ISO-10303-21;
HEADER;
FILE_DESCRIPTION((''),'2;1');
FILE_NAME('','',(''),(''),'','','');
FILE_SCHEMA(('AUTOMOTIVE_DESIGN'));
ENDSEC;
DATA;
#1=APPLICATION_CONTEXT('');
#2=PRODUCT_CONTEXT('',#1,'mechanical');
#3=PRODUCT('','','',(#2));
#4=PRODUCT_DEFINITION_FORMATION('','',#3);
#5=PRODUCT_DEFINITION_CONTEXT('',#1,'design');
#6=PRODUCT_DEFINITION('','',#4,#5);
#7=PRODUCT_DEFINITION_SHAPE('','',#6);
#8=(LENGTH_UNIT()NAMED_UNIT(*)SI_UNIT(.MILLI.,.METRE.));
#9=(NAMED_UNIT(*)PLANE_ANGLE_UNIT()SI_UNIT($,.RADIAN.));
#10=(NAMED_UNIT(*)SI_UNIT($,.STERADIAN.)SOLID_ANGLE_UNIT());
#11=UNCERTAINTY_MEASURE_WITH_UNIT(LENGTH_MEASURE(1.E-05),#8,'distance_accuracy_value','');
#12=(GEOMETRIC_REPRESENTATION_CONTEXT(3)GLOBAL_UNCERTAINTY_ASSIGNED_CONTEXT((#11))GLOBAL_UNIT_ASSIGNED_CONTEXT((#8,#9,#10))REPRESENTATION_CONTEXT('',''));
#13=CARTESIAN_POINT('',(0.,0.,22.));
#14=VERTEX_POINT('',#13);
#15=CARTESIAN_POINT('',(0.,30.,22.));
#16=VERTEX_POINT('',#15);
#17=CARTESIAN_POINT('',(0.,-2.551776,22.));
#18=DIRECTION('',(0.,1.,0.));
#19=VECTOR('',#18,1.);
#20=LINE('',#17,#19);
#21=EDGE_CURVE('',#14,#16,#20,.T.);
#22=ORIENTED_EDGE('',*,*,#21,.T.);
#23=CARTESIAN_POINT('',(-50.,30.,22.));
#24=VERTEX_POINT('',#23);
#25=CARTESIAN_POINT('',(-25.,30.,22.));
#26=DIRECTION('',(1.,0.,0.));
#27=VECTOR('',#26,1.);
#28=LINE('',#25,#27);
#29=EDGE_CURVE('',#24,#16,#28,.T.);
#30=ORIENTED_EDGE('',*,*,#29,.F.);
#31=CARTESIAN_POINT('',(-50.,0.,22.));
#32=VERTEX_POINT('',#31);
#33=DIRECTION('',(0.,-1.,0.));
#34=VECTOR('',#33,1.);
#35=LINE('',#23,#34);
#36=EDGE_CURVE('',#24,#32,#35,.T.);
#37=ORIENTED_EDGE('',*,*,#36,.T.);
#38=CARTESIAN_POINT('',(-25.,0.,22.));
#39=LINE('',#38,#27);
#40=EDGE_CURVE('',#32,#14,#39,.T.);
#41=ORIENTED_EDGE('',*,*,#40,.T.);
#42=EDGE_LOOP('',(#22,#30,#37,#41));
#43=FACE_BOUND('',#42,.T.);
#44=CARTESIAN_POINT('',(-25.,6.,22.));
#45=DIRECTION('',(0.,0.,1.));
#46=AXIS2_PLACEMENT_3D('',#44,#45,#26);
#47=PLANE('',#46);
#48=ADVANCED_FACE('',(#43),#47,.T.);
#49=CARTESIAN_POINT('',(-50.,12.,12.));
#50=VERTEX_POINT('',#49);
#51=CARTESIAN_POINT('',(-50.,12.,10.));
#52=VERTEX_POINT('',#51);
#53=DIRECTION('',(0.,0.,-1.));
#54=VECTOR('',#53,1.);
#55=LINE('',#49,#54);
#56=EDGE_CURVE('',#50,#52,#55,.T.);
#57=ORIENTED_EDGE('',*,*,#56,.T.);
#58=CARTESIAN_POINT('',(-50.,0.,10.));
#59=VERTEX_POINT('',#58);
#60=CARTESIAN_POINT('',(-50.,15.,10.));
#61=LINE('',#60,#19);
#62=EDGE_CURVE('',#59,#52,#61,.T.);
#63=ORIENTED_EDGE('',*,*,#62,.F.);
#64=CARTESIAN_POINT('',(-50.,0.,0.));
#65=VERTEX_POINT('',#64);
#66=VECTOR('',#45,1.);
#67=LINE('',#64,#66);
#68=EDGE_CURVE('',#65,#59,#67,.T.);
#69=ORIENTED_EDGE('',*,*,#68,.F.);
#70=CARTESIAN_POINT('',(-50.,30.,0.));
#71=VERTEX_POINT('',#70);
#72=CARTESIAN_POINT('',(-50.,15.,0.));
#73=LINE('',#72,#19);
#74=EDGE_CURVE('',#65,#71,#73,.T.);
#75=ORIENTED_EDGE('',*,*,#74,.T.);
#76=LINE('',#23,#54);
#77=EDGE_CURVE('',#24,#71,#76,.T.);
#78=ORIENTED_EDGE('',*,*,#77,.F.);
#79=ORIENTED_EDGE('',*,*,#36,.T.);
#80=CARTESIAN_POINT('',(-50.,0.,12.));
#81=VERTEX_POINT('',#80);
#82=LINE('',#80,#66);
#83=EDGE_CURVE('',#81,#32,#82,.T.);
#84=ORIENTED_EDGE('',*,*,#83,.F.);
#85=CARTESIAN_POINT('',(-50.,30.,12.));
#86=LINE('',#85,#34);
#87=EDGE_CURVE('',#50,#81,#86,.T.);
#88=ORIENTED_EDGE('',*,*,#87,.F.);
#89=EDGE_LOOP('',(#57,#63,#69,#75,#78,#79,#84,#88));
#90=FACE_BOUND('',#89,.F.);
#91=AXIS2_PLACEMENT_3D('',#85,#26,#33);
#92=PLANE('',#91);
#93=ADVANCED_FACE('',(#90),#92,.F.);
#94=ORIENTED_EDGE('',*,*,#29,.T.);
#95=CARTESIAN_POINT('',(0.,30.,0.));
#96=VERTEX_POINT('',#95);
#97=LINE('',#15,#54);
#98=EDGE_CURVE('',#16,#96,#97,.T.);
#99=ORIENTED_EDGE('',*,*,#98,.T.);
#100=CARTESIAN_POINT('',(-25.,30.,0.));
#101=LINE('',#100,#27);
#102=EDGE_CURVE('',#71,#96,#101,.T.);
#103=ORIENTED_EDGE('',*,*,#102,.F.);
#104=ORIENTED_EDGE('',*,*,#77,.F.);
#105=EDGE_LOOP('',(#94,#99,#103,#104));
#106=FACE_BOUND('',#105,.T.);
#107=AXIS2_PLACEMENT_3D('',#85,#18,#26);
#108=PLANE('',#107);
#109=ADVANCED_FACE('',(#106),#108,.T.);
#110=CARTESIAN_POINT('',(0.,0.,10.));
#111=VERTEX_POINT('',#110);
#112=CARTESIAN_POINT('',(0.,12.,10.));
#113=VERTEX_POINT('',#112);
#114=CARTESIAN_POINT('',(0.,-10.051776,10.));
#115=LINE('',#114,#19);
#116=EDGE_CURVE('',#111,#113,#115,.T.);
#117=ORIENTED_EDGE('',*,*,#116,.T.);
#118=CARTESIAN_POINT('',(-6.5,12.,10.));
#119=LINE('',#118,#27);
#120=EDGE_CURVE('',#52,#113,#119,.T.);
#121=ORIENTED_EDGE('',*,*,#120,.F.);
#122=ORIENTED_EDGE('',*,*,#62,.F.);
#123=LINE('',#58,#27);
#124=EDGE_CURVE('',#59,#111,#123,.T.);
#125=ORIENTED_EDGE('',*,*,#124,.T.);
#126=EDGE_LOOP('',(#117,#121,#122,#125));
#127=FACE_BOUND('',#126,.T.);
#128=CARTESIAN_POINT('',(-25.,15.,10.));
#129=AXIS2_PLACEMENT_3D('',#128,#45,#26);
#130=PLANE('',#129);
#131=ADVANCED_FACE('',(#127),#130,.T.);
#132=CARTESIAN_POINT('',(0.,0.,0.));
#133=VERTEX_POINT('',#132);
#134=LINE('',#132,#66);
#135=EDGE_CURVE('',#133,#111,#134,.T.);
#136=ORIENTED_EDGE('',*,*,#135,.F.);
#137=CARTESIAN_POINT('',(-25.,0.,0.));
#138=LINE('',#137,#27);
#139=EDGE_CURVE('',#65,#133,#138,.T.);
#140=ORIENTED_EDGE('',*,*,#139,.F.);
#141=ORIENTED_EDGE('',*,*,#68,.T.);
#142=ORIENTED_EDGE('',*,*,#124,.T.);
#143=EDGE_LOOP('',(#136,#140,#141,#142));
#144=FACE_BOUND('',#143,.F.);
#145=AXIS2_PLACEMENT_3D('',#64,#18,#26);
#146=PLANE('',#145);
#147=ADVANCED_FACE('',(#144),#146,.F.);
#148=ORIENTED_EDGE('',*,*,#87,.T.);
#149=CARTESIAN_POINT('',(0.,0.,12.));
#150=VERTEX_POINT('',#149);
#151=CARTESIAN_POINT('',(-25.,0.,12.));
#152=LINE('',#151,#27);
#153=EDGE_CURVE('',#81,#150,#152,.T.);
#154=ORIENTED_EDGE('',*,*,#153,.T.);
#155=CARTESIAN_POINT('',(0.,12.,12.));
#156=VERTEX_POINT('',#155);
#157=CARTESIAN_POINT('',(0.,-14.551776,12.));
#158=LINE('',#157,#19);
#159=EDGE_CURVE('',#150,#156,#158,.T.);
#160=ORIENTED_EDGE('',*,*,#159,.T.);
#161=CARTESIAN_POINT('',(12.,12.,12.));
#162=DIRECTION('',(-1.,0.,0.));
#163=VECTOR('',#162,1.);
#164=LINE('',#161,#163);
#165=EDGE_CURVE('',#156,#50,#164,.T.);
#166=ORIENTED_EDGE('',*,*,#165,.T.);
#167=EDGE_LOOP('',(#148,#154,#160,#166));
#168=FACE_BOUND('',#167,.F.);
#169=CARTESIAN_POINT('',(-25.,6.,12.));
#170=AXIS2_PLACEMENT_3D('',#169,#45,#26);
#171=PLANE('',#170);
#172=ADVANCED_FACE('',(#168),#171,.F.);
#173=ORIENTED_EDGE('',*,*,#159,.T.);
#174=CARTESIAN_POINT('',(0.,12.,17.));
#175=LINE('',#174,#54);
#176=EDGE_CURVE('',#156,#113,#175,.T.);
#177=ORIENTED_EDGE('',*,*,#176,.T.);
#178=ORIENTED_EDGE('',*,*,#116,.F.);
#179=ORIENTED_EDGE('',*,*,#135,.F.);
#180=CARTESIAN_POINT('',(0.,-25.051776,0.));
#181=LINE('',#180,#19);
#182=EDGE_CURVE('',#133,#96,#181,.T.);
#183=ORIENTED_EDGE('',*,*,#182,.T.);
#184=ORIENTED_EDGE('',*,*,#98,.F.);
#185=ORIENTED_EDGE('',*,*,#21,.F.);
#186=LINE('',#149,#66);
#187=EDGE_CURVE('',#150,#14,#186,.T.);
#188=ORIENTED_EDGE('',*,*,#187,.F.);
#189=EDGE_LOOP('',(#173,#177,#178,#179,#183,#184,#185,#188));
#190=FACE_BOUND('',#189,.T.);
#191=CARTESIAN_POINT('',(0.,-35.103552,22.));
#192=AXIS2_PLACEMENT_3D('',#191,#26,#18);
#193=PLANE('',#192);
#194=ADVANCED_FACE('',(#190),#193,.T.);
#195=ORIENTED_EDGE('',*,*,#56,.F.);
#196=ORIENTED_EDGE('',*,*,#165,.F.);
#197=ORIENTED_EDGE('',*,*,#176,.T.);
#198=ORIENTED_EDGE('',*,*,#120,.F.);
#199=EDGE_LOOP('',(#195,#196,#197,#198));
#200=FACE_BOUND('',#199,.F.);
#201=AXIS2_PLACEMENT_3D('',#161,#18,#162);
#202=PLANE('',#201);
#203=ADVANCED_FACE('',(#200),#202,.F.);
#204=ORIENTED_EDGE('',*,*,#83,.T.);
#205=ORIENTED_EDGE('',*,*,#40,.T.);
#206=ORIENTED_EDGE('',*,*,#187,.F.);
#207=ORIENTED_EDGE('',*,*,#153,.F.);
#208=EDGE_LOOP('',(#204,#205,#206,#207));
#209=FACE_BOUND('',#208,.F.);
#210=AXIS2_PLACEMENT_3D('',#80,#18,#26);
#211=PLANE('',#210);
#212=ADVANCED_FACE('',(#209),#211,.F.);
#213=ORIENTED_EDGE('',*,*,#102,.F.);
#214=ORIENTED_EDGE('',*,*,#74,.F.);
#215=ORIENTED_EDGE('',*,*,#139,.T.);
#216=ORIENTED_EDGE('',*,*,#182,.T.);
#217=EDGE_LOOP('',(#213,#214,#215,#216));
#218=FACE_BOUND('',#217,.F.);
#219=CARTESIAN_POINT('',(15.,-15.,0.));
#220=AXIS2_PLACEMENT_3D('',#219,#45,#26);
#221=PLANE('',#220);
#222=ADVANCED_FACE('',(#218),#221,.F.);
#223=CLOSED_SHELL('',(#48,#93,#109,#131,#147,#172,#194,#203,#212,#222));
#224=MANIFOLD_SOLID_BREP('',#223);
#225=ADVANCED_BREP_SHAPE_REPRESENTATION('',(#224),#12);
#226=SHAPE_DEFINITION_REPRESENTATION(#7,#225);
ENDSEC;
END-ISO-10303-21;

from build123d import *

# Parameters (mm, degrees)
F0_W     = 30
F0_H     = 30
F0_W_2   = 50
F1_DEPTH = 12
F2_W     = 12
F2_H     = 30
F2_H_2   = 12
F2_W_2   = 50
F3_DEPTH = 3.5
F4_W     = 50
F4_H     = 12
F4_W_2   = 12
F4_H_2   = 30
F4_H_3   = 18
F4_W_3   = 18
F5_DEPTH = 10
F6_DEPTH = 10
F7_W     = 30
F7_H     = 65.1035520434
F8_DEPTH = 25


with BuildPart() as f1:
    # F0 (on Top) → F1 (new body)
    with BuildSketch(Plane.XY):
        with Locations((15, -15)):
            Rectangle(F0_W, F0_H)
        with BuildLine():
            Line((0, 30), (0, 0))
            Line((0, 0), (30, 0))
            Line((30, 0), (16.1747587326, 13.8252412674))
            ThreePointArc((16.1747587326, 13.8252412674), (12.3110554274, 14.8605174478), (11.275779247, 18.724220753))
            Line((11.275779247, 18.724220753), (0, 30))
        make_face()
        with Locations((-25, 15)):
            Rectangle(F0_W_2, F0_H)
    extrude(amount=F1_DEPTH)

    # F2 (on face) → F3 (cut)
    with BuildSketch(Plane.XY.offset(12)):
        with Locations((6, -15)):
            Rectangle(F2_W, F2_H)
        with Locations((6, 6)):
            Rectangle(F2_W, F2_H_2)
        with Locations((-25, 6)):
            Rectangle(F2_W_2, F2_H_2)
    extrude(amount=-F3_DEPTH, mode=Mode.SUBTRACT)

    # F4 (on face) → F5 (join)
    with BuildSketch(Plane.XY.offset(12)):
        with Locations((-25, 6)):
            Rectangle(F4_W, F4_H)
        with Locations((6, -15)):
            Rectangle(F4_W_2, F4_H_2)
        with BuildLine():
            Line((11.275779247, 18.724220753), (0, 30))
            Line((0, 30), (0, 12))
            Line((0, 12), (12, 12))
            Line((12, 12), (12, 0))
            Line((12, 0), (30, 0))
            Line((30, 0), (16.1747587326, 13.8252412674))
            ThreePointArc((16.1747587326, 13.8252412674), (12.3110554274, 14.8605174478), (11.275779247, 18.724220753))
        make_face()
        with Locations((6, 6)):
            Rectangle(F4_W_2, F4_H)
        with Locations((-25, 21)):
            Rectangle(F4_W, F4_H_3)
        with Locations((21, -15)):
            Rectangle(F4_W_3, F4_H_2)
    extrude(amount=F5_DEPTH)

    # F0 (on Top) → F6 (join)
    with BuildSketch(Plane.XY):
        with Locations((-25, 15)):
            Rectangle(F0_W_2, F0_H)
        with BuildLine():
            Line((0, 30), (0, 0))
            Line((0, 0), (30, 0))
            Line((30, 0), (16.1747587326, 13.8252412674))
            ThreePointArc((16.1747587326, 13.8252412674), (12.3110554274, 14.8605174478), (11.275779247, 18.724220753))
            Line((11.275779247, 18.724220753), (0, 30))
        make_face()
        with Locations((15, -15)):
            Rectangle(F0_W, F0_H)
        with BuildLine():
            ThreePointArc((19.1394825522, 17.6889445726), (15.6615873211, 21.6547240181), (11.275779247, 18.724220753))
            Line((11.275779247, 18.724220753), (13.7252689898, 16.2747310102))
            Line((13.7252689898, 16.2747310102), (16.1747587326, 13.8252412674))
            ThreePointArc((16.1747587326, 13.8252412674), (18.3128959133, 15.2538988565), (19.1394825522, 17.6889445726))
        make_face()
        with BuildLine():
            ThreePointArc((17.1394825522, 17.6889445726), (15.9048494169, 15.8411855075), (13.7252689898, 16.2747310102))
            ThreePointArc((13.7252689898, 16.2747310102), (14.3741156874, 19.5367036376), (17.1394825522, 17.6889445726))
        make_face(mode=Mode.SUBTRACT)
        with BuildLine():
            Line((13.7252689898, 16.2747310102), (11.275779247, 18.724220753))
            ThreePointArc((11.275779247, 18.724220753), (12.3110554274, 14.8605174478), (16.1747587326, 13.8252412674))
            Line((16.1747587326, 13.8252412674), (13.7252689898, 16.2747310102))
        make_face()
    extrude(amount=F6_DEPTH)

    # F7 (on face) → F8 (cut)
    with BuildSketch(Plane.XY.offset(22)):
        with Locations((15, -2.5517760217)):
            Rectangle(F7_W, F7_H)
    extrude(amount=-F8_DEPTH, mode=Mode.SUBTRACT)


solid = f1.part
